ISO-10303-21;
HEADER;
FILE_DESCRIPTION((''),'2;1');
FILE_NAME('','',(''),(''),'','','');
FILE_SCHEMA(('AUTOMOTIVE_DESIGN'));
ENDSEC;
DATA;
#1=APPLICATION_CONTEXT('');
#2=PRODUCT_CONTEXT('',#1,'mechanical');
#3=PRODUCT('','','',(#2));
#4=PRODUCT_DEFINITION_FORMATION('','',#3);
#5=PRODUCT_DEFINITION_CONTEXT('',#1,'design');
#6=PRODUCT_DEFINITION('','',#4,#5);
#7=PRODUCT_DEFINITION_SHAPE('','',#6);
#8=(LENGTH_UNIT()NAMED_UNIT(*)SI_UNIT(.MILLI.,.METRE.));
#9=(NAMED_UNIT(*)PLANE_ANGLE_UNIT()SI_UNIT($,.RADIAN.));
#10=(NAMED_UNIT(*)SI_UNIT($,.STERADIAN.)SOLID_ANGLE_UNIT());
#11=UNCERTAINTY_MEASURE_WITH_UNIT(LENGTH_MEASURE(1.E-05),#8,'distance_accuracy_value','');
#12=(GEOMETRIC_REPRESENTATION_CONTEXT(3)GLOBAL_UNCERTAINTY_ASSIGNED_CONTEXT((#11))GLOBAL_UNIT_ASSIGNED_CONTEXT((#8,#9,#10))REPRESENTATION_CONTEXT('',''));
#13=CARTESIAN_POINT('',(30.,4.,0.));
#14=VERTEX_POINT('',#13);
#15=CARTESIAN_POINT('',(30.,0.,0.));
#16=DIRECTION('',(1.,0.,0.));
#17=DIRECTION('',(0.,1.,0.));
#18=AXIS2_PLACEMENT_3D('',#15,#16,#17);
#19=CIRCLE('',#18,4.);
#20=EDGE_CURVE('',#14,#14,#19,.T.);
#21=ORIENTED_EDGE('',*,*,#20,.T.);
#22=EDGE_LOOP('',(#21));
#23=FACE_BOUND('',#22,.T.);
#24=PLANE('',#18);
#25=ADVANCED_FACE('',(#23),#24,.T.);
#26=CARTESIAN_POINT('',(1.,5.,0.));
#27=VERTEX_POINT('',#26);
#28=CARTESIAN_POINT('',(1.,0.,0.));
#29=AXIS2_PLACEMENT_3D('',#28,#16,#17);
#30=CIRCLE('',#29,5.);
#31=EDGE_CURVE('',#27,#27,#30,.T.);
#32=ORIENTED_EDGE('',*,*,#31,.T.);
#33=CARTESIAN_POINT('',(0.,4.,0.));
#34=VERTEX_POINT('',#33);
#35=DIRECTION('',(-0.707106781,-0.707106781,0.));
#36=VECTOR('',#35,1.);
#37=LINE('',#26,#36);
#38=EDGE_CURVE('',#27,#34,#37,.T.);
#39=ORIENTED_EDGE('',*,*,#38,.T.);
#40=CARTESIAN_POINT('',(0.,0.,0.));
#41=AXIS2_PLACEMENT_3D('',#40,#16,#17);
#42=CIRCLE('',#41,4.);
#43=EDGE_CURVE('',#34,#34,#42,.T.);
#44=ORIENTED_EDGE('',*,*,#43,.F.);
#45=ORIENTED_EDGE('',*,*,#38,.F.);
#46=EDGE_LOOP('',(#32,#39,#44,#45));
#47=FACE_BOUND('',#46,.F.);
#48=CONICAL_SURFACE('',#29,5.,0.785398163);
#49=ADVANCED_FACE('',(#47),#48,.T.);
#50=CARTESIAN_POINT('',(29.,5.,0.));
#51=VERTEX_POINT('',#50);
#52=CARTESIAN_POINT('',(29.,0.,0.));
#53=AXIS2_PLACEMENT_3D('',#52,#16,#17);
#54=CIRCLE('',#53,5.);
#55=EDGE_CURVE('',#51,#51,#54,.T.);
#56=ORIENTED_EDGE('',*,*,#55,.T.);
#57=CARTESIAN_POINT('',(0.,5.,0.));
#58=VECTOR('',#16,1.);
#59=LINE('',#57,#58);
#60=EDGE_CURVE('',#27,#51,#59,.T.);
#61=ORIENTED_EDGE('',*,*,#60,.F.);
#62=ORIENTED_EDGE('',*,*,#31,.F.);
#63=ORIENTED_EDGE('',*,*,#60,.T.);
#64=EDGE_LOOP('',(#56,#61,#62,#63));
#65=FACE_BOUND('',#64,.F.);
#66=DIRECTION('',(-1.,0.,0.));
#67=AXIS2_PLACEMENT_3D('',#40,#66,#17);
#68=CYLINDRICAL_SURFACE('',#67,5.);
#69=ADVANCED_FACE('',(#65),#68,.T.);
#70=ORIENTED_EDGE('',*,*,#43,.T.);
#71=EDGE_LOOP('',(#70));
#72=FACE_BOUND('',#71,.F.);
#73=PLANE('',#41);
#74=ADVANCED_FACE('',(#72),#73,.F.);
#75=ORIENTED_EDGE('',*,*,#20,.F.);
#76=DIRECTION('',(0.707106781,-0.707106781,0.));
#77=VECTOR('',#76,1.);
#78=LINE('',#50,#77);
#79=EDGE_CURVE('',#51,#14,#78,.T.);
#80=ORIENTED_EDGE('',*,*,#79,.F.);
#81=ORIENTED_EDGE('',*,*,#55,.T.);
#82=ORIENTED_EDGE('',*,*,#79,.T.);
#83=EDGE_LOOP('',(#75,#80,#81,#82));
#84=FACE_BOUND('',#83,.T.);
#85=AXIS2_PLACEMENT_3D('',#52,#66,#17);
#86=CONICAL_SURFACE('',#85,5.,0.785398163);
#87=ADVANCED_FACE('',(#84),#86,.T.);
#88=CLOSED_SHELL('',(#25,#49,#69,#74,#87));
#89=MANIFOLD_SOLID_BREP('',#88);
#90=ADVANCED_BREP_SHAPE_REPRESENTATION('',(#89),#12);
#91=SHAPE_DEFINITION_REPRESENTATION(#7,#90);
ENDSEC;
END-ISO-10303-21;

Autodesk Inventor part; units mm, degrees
ref_plane "YZ Plane" through (0, 0, 0) normal (1, 0, 0) x (0, 1, 0)
ref_plane "XZ Plane" through (0, 0, 0) normal (0, 1, 0) x (-1, 0, 0)
ref_plane "XY Plane" through (0, 0, 0) normal (0, 0, 1) x (1, 0, 0)
sketch "Skizze" plane through (0, 0, 0) normal (1, 0, 0) x (0, 1, 0)
  circle A0 centre (0, 0) radius 5
  dimension "d1" = 10
extrude "Körper" add sketch "Skizze" along normal blind 30
chamfer "Fase1" distance 1 angle 45 1 edges at (0, -5, 0) measured on face at (20, 4.9838, -0.4023)
chamfer "Skizze2" distance 1 angle 45 1 edges at (30, -5, 0) measured on face at (20.3333, 4.9838, -0.4023)
equation "\"d1\" = NND"
equation "\"d2\" = NLG"
equation "\"d4\" = PHH"
equation "\"d5\" = FAWI"
equation "\"d11\" = PHH"
equation "\"d8\" = PHH"
equation "\"d9\" = FAWI"
equation "\"d12\" = PHH"
equation "\"NND\" = 10"
equation "\"NLG\" = 30"
equation "\"PHH\" = 1"
equation "\"FAWI\" = 45deg"
equation "\"KAH\" = 0.8"
equation "\"NLG1\" = 32"
properties part number "CNS 397 - 10 x 30" material "Stahl, weich"
